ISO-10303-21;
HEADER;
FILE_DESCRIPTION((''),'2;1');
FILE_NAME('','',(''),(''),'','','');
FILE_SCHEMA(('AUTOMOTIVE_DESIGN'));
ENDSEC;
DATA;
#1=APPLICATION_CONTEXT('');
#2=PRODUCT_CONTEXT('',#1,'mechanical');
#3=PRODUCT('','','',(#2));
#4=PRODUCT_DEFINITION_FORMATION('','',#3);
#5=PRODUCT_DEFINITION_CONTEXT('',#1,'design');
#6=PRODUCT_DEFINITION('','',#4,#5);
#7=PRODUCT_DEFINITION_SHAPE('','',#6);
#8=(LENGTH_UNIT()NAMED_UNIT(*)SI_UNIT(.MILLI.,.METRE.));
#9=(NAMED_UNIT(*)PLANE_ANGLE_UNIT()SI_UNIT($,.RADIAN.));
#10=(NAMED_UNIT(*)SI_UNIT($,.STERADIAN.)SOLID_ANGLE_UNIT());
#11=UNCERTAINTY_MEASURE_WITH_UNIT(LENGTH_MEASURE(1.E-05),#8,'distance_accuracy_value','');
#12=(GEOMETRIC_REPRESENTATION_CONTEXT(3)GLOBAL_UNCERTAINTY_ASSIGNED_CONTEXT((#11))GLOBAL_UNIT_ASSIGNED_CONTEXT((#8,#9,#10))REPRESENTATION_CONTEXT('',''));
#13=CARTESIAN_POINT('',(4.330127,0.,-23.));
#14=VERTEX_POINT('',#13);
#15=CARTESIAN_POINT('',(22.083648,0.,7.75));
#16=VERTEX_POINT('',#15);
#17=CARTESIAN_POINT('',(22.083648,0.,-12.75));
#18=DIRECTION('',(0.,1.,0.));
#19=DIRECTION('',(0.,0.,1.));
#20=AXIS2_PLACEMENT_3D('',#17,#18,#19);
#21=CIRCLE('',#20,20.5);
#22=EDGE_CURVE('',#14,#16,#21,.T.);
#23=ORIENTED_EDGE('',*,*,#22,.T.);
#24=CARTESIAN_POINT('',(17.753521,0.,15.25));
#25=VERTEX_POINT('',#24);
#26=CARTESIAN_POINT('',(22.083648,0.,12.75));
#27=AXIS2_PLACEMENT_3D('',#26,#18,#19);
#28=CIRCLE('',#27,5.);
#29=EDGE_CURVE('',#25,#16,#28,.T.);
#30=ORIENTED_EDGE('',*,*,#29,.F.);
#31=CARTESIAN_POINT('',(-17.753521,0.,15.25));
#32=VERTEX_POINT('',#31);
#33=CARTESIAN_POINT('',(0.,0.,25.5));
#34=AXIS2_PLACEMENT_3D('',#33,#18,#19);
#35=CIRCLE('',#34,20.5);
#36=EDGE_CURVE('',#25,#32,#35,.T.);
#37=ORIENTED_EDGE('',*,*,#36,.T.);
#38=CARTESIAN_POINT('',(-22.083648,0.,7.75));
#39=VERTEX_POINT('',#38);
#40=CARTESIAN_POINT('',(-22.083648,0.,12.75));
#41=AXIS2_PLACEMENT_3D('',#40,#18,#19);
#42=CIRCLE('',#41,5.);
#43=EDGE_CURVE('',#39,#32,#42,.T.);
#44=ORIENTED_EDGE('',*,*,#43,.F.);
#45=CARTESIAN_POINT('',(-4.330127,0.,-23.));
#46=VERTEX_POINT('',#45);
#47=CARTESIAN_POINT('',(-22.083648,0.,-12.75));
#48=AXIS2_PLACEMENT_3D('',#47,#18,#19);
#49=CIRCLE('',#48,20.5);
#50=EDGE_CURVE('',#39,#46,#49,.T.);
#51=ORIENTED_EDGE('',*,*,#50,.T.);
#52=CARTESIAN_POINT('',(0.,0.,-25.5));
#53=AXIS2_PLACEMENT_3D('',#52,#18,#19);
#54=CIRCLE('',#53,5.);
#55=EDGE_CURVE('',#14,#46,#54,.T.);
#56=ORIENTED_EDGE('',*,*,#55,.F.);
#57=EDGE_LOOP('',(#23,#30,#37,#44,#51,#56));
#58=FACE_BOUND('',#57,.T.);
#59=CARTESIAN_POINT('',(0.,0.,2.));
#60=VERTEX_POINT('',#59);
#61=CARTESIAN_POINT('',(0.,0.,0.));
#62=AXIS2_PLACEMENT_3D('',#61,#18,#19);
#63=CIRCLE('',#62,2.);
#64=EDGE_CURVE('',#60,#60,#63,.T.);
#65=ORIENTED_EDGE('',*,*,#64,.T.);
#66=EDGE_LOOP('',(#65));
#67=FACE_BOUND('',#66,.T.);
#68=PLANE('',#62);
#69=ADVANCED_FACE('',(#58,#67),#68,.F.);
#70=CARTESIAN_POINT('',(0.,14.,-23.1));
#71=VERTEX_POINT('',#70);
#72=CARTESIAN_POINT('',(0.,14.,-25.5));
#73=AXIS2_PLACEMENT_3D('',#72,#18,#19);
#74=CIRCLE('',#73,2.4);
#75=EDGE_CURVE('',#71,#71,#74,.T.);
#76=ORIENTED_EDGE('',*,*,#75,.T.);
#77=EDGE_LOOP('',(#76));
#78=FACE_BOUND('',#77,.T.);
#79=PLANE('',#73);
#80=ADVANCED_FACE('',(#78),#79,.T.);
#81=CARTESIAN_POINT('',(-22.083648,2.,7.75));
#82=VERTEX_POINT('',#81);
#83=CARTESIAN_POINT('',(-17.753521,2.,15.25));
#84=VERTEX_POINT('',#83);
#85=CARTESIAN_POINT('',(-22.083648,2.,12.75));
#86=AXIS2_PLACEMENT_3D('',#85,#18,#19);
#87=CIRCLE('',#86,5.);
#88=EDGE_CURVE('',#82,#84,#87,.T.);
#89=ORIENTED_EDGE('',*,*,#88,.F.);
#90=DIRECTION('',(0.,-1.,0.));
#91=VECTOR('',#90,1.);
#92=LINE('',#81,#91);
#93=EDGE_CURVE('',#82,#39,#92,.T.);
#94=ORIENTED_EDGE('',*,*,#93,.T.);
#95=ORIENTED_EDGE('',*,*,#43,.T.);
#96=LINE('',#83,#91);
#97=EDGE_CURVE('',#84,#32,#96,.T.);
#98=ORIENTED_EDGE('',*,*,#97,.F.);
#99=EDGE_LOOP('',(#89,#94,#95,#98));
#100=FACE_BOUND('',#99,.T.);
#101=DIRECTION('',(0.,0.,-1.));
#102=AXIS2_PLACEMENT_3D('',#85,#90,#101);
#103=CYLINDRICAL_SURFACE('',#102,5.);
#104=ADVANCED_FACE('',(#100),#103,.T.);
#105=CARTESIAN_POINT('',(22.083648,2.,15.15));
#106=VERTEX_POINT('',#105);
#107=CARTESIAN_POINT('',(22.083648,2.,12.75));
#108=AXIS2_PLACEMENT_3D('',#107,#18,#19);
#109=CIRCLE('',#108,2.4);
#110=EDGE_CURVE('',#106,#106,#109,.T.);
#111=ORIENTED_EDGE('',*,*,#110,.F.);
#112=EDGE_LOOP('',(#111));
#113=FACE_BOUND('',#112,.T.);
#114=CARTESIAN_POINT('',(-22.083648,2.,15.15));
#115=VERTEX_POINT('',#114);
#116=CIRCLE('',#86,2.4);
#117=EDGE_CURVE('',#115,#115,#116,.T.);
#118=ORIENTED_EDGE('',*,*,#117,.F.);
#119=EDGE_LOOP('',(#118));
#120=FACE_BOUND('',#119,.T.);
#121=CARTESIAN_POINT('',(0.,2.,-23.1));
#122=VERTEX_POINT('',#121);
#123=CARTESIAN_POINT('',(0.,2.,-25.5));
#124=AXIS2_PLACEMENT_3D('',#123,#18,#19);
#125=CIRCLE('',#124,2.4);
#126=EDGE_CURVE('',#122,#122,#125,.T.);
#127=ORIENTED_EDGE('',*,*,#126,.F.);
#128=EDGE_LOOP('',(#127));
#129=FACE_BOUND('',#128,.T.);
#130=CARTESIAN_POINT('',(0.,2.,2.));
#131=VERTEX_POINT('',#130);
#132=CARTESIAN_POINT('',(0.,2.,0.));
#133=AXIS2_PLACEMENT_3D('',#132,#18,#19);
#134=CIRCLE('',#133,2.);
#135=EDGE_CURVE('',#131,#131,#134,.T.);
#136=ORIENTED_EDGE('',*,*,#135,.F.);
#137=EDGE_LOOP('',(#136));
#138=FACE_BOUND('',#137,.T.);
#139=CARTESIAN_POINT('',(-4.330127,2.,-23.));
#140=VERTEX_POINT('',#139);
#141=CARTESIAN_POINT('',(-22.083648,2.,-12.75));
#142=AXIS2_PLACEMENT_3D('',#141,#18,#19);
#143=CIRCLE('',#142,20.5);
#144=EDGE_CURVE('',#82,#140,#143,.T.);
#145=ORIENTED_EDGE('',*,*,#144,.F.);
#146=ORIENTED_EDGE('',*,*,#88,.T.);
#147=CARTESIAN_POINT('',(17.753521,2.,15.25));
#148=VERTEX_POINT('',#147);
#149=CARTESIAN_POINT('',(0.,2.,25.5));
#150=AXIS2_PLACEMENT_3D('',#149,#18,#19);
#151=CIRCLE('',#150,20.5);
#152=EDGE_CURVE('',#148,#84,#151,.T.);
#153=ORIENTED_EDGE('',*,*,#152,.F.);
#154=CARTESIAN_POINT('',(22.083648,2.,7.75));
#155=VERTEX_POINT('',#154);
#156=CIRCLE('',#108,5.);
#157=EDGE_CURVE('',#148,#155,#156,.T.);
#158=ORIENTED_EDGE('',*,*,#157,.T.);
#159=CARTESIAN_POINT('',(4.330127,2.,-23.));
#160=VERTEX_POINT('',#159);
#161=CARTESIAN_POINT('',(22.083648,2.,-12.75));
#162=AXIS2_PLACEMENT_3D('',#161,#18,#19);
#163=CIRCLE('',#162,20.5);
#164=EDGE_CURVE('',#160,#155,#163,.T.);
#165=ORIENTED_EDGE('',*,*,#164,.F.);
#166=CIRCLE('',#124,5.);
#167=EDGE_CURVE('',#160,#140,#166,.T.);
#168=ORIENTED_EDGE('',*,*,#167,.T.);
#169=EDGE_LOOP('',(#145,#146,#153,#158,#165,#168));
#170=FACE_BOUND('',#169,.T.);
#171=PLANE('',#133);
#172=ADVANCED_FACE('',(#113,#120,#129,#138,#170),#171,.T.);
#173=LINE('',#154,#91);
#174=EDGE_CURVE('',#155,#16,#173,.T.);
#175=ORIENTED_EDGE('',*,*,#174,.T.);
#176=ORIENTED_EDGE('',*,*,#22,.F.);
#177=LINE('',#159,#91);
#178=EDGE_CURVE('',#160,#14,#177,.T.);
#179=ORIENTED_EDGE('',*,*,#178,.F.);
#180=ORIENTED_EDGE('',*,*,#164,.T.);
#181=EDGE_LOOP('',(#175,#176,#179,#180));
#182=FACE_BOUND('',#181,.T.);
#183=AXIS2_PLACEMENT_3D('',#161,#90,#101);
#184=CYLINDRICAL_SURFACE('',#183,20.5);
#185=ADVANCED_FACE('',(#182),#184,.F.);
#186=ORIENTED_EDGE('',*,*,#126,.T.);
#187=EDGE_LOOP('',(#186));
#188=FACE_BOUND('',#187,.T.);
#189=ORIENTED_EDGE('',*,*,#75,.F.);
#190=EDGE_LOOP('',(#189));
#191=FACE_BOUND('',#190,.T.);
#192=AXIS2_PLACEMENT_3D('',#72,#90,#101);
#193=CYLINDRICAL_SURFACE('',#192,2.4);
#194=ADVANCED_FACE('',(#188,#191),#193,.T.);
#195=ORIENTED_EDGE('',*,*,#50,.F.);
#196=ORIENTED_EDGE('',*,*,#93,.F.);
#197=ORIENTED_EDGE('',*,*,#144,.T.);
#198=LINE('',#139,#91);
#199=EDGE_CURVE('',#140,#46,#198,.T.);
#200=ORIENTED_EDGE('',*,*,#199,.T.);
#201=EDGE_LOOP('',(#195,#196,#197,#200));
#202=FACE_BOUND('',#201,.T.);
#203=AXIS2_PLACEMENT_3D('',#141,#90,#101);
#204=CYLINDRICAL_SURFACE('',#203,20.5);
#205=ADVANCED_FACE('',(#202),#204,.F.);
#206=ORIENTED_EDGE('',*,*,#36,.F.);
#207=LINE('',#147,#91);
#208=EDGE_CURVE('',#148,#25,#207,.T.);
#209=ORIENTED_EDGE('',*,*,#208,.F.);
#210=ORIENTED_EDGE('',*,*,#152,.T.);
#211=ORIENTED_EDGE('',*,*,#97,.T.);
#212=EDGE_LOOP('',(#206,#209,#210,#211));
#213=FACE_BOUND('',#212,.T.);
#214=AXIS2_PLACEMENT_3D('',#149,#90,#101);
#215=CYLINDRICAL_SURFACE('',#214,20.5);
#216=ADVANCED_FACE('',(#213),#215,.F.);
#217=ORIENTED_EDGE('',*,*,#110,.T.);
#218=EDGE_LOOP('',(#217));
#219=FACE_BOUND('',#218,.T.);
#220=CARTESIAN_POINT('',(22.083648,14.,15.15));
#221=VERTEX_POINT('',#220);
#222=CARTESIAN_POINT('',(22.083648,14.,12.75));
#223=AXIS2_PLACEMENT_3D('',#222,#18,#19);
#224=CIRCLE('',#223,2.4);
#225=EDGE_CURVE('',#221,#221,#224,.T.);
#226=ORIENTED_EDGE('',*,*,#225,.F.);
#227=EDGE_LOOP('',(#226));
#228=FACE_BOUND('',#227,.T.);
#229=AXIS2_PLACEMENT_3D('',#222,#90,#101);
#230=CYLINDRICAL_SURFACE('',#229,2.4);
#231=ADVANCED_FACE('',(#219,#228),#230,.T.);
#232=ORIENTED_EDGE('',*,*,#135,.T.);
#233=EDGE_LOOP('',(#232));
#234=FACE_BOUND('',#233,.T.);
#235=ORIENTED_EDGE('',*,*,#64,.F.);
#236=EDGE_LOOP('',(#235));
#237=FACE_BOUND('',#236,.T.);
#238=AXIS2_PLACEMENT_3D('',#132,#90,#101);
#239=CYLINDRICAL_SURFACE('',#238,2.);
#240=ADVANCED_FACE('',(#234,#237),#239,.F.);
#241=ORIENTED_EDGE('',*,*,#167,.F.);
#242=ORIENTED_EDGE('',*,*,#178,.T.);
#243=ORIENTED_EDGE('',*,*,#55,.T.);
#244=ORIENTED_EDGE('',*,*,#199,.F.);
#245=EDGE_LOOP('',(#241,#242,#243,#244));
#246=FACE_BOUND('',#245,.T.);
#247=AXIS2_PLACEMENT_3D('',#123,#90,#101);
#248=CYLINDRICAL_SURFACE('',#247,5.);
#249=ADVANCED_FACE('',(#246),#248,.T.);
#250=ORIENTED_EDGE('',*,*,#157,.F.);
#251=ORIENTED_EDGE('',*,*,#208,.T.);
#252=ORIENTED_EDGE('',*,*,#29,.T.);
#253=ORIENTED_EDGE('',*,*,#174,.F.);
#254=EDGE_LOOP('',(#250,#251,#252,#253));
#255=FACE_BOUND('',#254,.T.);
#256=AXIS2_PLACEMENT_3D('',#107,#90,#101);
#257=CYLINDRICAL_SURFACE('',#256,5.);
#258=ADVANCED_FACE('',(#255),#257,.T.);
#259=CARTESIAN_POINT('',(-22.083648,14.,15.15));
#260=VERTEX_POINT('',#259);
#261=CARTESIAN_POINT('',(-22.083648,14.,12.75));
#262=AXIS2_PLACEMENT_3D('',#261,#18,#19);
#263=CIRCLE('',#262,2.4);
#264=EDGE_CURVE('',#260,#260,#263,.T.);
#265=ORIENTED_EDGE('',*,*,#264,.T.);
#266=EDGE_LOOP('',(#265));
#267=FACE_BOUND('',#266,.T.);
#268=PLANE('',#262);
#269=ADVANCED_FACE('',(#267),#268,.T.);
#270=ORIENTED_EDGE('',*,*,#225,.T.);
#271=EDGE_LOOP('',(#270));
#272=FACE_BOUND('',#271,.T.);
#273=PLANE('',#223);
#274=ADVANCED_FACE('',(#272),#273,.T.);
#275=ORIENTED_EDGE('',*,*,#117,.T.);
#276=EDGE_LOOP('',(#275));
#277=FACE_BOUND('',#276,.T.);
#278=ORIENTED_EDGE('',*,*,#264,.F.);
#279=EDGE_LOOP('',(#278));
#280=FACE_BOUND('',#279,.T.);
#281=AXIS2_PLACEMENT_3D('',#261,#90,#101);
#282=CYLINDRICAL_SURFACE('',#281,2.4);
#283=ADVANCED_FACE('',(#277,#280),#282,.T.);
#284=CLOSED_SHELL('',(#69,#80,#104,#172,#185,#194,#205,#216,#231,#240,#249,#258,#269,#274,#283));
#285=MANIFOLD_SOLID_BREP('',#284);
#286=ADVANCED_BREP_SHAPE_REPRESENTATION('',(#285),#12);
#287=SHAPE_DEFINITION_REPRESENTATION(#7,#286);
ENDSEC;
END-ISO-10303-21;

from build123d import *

# Parameters (mm, degrees)
SKETCH1_R           = 2.4
SKETCH1_R_2         = 2
BOSS_EXTRUDE1_DEPTH = 2
BOSS_EXTRUDE2_START = 2
SKETCH1_3_R         = 2.4
BOSS_EXTRUDE2_DEPTH = 12


with BuildPart() as part:
    # Sketch1 → Boss-Extrude1 (new body)
    # profile 1 of 4: a face of its own
    with BuildSketch(Plane(origin=(0, 0, 0), x_dir=(1, 0, 0), z_dir=(0, 1, 0))):
        with BuildLine():
            ThreePointArc((22.083647797, -7.75), (4.330127019, 2.5), (4.330127019, 23))
            ThreePointArc((4.330127019, 23), (4.760296424, 23.970432103), (4.975912761, 25.009803922))
            ThreePointArc((4.975912761, 25.009803922), (0, 30.5), (-4.975912761, 25.009803922))
            ThreePointArc((-4.975912761, 25.009803922), (-4.760296424, 23.970432103), (-4.330127019, 23))
            ThreePointArc((-4.330127019, 23), (-2.282168358, 18.055790425), (-1.583647797, 12.75))
            ThreePointArc((-1.583647797, 12.75), (-7.587958782, -1.745689014), (-22.083647797, -7.75))
            ThreePointArc((-22.083647797, -7.75), (-23.139151353, -7.862678418), (-24.14708192, -8.195635103))
            ThreePointArc((-24.14708192, -8.195635103), (-26.413774815, -15.25), (-19.171169159, -16.814168819))
            ThreePointArc((-19.171169159, -16.814168819), (-18.378854928, -16.107753684), (-17.753520778, -15.25))
            ThreePointArc((-17.753520778, -15.25), (0, -5), (17.753520778, -15.25))
            ThreePointArc((17.753520778, -15.25), (18.378854928, -16.107753684), (19.171169159, -16.814168819))
            ThreePointArc((19.171169159, -16.814168819), (26.413774815, -15.25), (24.14708192, -8.195635103))
            ThreePointArc((24.14708192, -8.195635103), (23.139151353, -7.862678418), (22.083647797, -7.75))
        make_face()
        with Locations((-22.083647797, -12.75)):
            Circle(SKETCH1_R, mode=Mode.SUBTRACT)
        with Locations((22.083647797, -12.75)):
            Circle(SKETCH1_R, mode=Mode.SUBTRACT)
        with Locations(Location((0, 0, 0), (0, 0, 270))):
            Circle(SKETCH1_R_2, mode=Mode.SUBTRACT)
        with Locations((0, 25.5)):
            Circle(SKETCH1_R, mode=Mode.SUBTRACT)
    # profile 2 of 4: a face of its own
    with BuildSketch(Plane(origin=(0, 0, 0), x_dir=(1, 0, 0), z_dir=(0, 1, 0))):
        with Locations((-22.083647797, -12.75)):
            Circle(SKETCH1_R)
    # profile 3 of 4: a face of its own
    with BuildSketch(Plane(origin=(0, 0, 0), x_dir=(1, 0, 0), z_dir=(0, 1, 0))):
        with Locations((22.083647797, -12.75)):
            Circle(SKETCH1_R)
    # profile 4 of 4: a face of its own
    with BuildSketch(Plane(origin=(0, 0, 0), x_dir=(1, 0, 0), z_dir=(0, 1, 0))):
        with Locations((0, 25.5)):
            Circle(SKETCH1_R)
    extrude(amount=BOSS_EXTRUDE1_DEPTH)

    # Sketch1<3> → Boss-Extrude2 (add)
    with BuildSketch(Plane(origin=(0, 0, 0), x_dir=(1, 0, 0), z_dir=(0, 1, 0)).offset(BOSS_EXTRUDE2_START)):
        with Locations(Location((-22.083647797, -12.75, 0), (0, 0, 270))):
            Circle(SKETCH1_3_R)
        with Locations(Location((22.083647797, -12.75, 0), (0, 0, 270))):
            Circle(SKETCH1_3_R)
        with Locations(Location((0, 25.5, 0), (0, 0, 270))):
            Circle(SKETCH1_3_R)
    extrude(amount=BOSS_EXTRUDE2_DEPTH)


solid = part.part
